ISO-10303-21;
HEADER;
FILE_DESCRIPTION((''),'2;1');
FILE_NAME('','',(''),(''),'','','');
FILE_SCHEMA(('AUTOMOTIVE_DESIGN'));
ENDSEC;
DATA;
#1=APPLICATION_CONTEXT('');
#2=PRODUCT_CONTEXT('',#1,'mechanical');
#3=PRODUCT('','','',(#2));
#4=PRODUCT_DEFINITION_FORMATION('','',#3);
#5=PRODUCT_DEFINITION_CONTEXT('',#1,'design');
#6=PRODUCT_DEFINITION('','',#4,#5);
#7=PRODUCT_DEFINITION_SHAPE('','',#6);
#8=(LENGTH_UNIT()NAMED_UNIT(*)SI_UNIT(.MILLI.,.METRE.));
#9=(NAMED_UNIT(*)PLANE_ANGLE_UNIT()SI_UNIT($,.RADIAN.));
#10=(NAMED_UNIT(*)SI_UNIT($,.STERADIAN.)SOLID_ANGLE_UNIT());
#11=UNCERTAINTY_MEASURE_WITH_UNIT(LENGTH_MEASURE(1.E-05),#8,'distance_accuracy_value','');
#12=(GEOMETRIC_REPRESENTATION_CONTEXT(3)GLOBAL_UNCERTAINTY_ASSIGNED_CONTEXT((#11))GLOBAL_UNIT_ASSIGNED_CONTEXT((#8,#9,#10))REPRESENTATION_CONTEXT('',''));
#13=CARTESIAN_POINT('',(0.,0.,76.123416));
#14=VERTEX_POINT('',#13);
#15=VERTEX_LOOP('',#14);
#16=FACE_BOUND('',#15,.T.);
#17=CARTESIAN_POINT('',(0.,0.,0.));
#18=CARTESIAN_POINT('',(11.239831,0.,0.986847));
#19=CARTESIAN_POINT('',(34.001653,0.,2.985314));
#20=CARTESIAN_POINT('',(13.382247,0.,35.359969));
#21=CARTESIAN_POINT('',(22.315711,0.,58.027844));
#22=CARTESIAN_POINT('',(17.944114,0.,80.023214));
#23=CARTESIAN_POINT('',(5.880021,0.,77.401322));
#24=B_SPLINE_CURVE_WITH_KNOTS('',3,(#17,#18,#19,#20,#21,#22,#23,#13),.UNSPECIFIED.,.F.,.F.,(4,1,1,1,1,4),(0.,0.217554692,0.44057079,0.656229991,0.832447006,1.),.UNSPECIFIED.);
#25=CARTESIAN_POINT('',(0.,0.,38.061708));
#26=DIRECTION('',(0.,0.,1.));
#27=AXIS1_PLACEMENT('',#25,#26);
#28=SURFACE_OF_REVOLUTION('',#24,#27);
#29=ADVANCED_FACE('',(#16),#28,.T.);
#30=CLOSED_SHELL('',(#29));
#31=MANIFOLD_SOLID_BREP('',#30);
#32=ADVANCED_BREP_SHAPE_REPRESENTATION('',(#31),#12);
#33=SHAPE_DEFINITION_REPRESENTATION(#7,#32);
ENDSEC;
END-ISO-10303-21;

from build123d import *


with BuildPart() as f1:
    # F0 (on Front) → F1 (revolve)
    with BuildSketch(Plane.XZ):
        with BuildLine():
            Line((0, 76.1234164238), (0, 0))
            add(Edge.make_bspline(
                [(0, 0), (11.2398307782, 0.9868469048), (34.0016525459, 2.985314124), (13.3822471114, 35.3599686777), (22.3157106775, 58.027843565), (17.9441136903, 80.0232140421), (5.8800209589, 77.4013224897), (0, 76.1234164238)],
                knots=[0, 0, 0, 0, 0.217554692, 0.4405707899, 0.656229991, 0.8324470059, 1, 1, 1, 1], degree=3))
        make_face()
    revolve(axis=Axis((0, 0, 38.0617082119), (0, 0, 1)))


solid = f1.part
